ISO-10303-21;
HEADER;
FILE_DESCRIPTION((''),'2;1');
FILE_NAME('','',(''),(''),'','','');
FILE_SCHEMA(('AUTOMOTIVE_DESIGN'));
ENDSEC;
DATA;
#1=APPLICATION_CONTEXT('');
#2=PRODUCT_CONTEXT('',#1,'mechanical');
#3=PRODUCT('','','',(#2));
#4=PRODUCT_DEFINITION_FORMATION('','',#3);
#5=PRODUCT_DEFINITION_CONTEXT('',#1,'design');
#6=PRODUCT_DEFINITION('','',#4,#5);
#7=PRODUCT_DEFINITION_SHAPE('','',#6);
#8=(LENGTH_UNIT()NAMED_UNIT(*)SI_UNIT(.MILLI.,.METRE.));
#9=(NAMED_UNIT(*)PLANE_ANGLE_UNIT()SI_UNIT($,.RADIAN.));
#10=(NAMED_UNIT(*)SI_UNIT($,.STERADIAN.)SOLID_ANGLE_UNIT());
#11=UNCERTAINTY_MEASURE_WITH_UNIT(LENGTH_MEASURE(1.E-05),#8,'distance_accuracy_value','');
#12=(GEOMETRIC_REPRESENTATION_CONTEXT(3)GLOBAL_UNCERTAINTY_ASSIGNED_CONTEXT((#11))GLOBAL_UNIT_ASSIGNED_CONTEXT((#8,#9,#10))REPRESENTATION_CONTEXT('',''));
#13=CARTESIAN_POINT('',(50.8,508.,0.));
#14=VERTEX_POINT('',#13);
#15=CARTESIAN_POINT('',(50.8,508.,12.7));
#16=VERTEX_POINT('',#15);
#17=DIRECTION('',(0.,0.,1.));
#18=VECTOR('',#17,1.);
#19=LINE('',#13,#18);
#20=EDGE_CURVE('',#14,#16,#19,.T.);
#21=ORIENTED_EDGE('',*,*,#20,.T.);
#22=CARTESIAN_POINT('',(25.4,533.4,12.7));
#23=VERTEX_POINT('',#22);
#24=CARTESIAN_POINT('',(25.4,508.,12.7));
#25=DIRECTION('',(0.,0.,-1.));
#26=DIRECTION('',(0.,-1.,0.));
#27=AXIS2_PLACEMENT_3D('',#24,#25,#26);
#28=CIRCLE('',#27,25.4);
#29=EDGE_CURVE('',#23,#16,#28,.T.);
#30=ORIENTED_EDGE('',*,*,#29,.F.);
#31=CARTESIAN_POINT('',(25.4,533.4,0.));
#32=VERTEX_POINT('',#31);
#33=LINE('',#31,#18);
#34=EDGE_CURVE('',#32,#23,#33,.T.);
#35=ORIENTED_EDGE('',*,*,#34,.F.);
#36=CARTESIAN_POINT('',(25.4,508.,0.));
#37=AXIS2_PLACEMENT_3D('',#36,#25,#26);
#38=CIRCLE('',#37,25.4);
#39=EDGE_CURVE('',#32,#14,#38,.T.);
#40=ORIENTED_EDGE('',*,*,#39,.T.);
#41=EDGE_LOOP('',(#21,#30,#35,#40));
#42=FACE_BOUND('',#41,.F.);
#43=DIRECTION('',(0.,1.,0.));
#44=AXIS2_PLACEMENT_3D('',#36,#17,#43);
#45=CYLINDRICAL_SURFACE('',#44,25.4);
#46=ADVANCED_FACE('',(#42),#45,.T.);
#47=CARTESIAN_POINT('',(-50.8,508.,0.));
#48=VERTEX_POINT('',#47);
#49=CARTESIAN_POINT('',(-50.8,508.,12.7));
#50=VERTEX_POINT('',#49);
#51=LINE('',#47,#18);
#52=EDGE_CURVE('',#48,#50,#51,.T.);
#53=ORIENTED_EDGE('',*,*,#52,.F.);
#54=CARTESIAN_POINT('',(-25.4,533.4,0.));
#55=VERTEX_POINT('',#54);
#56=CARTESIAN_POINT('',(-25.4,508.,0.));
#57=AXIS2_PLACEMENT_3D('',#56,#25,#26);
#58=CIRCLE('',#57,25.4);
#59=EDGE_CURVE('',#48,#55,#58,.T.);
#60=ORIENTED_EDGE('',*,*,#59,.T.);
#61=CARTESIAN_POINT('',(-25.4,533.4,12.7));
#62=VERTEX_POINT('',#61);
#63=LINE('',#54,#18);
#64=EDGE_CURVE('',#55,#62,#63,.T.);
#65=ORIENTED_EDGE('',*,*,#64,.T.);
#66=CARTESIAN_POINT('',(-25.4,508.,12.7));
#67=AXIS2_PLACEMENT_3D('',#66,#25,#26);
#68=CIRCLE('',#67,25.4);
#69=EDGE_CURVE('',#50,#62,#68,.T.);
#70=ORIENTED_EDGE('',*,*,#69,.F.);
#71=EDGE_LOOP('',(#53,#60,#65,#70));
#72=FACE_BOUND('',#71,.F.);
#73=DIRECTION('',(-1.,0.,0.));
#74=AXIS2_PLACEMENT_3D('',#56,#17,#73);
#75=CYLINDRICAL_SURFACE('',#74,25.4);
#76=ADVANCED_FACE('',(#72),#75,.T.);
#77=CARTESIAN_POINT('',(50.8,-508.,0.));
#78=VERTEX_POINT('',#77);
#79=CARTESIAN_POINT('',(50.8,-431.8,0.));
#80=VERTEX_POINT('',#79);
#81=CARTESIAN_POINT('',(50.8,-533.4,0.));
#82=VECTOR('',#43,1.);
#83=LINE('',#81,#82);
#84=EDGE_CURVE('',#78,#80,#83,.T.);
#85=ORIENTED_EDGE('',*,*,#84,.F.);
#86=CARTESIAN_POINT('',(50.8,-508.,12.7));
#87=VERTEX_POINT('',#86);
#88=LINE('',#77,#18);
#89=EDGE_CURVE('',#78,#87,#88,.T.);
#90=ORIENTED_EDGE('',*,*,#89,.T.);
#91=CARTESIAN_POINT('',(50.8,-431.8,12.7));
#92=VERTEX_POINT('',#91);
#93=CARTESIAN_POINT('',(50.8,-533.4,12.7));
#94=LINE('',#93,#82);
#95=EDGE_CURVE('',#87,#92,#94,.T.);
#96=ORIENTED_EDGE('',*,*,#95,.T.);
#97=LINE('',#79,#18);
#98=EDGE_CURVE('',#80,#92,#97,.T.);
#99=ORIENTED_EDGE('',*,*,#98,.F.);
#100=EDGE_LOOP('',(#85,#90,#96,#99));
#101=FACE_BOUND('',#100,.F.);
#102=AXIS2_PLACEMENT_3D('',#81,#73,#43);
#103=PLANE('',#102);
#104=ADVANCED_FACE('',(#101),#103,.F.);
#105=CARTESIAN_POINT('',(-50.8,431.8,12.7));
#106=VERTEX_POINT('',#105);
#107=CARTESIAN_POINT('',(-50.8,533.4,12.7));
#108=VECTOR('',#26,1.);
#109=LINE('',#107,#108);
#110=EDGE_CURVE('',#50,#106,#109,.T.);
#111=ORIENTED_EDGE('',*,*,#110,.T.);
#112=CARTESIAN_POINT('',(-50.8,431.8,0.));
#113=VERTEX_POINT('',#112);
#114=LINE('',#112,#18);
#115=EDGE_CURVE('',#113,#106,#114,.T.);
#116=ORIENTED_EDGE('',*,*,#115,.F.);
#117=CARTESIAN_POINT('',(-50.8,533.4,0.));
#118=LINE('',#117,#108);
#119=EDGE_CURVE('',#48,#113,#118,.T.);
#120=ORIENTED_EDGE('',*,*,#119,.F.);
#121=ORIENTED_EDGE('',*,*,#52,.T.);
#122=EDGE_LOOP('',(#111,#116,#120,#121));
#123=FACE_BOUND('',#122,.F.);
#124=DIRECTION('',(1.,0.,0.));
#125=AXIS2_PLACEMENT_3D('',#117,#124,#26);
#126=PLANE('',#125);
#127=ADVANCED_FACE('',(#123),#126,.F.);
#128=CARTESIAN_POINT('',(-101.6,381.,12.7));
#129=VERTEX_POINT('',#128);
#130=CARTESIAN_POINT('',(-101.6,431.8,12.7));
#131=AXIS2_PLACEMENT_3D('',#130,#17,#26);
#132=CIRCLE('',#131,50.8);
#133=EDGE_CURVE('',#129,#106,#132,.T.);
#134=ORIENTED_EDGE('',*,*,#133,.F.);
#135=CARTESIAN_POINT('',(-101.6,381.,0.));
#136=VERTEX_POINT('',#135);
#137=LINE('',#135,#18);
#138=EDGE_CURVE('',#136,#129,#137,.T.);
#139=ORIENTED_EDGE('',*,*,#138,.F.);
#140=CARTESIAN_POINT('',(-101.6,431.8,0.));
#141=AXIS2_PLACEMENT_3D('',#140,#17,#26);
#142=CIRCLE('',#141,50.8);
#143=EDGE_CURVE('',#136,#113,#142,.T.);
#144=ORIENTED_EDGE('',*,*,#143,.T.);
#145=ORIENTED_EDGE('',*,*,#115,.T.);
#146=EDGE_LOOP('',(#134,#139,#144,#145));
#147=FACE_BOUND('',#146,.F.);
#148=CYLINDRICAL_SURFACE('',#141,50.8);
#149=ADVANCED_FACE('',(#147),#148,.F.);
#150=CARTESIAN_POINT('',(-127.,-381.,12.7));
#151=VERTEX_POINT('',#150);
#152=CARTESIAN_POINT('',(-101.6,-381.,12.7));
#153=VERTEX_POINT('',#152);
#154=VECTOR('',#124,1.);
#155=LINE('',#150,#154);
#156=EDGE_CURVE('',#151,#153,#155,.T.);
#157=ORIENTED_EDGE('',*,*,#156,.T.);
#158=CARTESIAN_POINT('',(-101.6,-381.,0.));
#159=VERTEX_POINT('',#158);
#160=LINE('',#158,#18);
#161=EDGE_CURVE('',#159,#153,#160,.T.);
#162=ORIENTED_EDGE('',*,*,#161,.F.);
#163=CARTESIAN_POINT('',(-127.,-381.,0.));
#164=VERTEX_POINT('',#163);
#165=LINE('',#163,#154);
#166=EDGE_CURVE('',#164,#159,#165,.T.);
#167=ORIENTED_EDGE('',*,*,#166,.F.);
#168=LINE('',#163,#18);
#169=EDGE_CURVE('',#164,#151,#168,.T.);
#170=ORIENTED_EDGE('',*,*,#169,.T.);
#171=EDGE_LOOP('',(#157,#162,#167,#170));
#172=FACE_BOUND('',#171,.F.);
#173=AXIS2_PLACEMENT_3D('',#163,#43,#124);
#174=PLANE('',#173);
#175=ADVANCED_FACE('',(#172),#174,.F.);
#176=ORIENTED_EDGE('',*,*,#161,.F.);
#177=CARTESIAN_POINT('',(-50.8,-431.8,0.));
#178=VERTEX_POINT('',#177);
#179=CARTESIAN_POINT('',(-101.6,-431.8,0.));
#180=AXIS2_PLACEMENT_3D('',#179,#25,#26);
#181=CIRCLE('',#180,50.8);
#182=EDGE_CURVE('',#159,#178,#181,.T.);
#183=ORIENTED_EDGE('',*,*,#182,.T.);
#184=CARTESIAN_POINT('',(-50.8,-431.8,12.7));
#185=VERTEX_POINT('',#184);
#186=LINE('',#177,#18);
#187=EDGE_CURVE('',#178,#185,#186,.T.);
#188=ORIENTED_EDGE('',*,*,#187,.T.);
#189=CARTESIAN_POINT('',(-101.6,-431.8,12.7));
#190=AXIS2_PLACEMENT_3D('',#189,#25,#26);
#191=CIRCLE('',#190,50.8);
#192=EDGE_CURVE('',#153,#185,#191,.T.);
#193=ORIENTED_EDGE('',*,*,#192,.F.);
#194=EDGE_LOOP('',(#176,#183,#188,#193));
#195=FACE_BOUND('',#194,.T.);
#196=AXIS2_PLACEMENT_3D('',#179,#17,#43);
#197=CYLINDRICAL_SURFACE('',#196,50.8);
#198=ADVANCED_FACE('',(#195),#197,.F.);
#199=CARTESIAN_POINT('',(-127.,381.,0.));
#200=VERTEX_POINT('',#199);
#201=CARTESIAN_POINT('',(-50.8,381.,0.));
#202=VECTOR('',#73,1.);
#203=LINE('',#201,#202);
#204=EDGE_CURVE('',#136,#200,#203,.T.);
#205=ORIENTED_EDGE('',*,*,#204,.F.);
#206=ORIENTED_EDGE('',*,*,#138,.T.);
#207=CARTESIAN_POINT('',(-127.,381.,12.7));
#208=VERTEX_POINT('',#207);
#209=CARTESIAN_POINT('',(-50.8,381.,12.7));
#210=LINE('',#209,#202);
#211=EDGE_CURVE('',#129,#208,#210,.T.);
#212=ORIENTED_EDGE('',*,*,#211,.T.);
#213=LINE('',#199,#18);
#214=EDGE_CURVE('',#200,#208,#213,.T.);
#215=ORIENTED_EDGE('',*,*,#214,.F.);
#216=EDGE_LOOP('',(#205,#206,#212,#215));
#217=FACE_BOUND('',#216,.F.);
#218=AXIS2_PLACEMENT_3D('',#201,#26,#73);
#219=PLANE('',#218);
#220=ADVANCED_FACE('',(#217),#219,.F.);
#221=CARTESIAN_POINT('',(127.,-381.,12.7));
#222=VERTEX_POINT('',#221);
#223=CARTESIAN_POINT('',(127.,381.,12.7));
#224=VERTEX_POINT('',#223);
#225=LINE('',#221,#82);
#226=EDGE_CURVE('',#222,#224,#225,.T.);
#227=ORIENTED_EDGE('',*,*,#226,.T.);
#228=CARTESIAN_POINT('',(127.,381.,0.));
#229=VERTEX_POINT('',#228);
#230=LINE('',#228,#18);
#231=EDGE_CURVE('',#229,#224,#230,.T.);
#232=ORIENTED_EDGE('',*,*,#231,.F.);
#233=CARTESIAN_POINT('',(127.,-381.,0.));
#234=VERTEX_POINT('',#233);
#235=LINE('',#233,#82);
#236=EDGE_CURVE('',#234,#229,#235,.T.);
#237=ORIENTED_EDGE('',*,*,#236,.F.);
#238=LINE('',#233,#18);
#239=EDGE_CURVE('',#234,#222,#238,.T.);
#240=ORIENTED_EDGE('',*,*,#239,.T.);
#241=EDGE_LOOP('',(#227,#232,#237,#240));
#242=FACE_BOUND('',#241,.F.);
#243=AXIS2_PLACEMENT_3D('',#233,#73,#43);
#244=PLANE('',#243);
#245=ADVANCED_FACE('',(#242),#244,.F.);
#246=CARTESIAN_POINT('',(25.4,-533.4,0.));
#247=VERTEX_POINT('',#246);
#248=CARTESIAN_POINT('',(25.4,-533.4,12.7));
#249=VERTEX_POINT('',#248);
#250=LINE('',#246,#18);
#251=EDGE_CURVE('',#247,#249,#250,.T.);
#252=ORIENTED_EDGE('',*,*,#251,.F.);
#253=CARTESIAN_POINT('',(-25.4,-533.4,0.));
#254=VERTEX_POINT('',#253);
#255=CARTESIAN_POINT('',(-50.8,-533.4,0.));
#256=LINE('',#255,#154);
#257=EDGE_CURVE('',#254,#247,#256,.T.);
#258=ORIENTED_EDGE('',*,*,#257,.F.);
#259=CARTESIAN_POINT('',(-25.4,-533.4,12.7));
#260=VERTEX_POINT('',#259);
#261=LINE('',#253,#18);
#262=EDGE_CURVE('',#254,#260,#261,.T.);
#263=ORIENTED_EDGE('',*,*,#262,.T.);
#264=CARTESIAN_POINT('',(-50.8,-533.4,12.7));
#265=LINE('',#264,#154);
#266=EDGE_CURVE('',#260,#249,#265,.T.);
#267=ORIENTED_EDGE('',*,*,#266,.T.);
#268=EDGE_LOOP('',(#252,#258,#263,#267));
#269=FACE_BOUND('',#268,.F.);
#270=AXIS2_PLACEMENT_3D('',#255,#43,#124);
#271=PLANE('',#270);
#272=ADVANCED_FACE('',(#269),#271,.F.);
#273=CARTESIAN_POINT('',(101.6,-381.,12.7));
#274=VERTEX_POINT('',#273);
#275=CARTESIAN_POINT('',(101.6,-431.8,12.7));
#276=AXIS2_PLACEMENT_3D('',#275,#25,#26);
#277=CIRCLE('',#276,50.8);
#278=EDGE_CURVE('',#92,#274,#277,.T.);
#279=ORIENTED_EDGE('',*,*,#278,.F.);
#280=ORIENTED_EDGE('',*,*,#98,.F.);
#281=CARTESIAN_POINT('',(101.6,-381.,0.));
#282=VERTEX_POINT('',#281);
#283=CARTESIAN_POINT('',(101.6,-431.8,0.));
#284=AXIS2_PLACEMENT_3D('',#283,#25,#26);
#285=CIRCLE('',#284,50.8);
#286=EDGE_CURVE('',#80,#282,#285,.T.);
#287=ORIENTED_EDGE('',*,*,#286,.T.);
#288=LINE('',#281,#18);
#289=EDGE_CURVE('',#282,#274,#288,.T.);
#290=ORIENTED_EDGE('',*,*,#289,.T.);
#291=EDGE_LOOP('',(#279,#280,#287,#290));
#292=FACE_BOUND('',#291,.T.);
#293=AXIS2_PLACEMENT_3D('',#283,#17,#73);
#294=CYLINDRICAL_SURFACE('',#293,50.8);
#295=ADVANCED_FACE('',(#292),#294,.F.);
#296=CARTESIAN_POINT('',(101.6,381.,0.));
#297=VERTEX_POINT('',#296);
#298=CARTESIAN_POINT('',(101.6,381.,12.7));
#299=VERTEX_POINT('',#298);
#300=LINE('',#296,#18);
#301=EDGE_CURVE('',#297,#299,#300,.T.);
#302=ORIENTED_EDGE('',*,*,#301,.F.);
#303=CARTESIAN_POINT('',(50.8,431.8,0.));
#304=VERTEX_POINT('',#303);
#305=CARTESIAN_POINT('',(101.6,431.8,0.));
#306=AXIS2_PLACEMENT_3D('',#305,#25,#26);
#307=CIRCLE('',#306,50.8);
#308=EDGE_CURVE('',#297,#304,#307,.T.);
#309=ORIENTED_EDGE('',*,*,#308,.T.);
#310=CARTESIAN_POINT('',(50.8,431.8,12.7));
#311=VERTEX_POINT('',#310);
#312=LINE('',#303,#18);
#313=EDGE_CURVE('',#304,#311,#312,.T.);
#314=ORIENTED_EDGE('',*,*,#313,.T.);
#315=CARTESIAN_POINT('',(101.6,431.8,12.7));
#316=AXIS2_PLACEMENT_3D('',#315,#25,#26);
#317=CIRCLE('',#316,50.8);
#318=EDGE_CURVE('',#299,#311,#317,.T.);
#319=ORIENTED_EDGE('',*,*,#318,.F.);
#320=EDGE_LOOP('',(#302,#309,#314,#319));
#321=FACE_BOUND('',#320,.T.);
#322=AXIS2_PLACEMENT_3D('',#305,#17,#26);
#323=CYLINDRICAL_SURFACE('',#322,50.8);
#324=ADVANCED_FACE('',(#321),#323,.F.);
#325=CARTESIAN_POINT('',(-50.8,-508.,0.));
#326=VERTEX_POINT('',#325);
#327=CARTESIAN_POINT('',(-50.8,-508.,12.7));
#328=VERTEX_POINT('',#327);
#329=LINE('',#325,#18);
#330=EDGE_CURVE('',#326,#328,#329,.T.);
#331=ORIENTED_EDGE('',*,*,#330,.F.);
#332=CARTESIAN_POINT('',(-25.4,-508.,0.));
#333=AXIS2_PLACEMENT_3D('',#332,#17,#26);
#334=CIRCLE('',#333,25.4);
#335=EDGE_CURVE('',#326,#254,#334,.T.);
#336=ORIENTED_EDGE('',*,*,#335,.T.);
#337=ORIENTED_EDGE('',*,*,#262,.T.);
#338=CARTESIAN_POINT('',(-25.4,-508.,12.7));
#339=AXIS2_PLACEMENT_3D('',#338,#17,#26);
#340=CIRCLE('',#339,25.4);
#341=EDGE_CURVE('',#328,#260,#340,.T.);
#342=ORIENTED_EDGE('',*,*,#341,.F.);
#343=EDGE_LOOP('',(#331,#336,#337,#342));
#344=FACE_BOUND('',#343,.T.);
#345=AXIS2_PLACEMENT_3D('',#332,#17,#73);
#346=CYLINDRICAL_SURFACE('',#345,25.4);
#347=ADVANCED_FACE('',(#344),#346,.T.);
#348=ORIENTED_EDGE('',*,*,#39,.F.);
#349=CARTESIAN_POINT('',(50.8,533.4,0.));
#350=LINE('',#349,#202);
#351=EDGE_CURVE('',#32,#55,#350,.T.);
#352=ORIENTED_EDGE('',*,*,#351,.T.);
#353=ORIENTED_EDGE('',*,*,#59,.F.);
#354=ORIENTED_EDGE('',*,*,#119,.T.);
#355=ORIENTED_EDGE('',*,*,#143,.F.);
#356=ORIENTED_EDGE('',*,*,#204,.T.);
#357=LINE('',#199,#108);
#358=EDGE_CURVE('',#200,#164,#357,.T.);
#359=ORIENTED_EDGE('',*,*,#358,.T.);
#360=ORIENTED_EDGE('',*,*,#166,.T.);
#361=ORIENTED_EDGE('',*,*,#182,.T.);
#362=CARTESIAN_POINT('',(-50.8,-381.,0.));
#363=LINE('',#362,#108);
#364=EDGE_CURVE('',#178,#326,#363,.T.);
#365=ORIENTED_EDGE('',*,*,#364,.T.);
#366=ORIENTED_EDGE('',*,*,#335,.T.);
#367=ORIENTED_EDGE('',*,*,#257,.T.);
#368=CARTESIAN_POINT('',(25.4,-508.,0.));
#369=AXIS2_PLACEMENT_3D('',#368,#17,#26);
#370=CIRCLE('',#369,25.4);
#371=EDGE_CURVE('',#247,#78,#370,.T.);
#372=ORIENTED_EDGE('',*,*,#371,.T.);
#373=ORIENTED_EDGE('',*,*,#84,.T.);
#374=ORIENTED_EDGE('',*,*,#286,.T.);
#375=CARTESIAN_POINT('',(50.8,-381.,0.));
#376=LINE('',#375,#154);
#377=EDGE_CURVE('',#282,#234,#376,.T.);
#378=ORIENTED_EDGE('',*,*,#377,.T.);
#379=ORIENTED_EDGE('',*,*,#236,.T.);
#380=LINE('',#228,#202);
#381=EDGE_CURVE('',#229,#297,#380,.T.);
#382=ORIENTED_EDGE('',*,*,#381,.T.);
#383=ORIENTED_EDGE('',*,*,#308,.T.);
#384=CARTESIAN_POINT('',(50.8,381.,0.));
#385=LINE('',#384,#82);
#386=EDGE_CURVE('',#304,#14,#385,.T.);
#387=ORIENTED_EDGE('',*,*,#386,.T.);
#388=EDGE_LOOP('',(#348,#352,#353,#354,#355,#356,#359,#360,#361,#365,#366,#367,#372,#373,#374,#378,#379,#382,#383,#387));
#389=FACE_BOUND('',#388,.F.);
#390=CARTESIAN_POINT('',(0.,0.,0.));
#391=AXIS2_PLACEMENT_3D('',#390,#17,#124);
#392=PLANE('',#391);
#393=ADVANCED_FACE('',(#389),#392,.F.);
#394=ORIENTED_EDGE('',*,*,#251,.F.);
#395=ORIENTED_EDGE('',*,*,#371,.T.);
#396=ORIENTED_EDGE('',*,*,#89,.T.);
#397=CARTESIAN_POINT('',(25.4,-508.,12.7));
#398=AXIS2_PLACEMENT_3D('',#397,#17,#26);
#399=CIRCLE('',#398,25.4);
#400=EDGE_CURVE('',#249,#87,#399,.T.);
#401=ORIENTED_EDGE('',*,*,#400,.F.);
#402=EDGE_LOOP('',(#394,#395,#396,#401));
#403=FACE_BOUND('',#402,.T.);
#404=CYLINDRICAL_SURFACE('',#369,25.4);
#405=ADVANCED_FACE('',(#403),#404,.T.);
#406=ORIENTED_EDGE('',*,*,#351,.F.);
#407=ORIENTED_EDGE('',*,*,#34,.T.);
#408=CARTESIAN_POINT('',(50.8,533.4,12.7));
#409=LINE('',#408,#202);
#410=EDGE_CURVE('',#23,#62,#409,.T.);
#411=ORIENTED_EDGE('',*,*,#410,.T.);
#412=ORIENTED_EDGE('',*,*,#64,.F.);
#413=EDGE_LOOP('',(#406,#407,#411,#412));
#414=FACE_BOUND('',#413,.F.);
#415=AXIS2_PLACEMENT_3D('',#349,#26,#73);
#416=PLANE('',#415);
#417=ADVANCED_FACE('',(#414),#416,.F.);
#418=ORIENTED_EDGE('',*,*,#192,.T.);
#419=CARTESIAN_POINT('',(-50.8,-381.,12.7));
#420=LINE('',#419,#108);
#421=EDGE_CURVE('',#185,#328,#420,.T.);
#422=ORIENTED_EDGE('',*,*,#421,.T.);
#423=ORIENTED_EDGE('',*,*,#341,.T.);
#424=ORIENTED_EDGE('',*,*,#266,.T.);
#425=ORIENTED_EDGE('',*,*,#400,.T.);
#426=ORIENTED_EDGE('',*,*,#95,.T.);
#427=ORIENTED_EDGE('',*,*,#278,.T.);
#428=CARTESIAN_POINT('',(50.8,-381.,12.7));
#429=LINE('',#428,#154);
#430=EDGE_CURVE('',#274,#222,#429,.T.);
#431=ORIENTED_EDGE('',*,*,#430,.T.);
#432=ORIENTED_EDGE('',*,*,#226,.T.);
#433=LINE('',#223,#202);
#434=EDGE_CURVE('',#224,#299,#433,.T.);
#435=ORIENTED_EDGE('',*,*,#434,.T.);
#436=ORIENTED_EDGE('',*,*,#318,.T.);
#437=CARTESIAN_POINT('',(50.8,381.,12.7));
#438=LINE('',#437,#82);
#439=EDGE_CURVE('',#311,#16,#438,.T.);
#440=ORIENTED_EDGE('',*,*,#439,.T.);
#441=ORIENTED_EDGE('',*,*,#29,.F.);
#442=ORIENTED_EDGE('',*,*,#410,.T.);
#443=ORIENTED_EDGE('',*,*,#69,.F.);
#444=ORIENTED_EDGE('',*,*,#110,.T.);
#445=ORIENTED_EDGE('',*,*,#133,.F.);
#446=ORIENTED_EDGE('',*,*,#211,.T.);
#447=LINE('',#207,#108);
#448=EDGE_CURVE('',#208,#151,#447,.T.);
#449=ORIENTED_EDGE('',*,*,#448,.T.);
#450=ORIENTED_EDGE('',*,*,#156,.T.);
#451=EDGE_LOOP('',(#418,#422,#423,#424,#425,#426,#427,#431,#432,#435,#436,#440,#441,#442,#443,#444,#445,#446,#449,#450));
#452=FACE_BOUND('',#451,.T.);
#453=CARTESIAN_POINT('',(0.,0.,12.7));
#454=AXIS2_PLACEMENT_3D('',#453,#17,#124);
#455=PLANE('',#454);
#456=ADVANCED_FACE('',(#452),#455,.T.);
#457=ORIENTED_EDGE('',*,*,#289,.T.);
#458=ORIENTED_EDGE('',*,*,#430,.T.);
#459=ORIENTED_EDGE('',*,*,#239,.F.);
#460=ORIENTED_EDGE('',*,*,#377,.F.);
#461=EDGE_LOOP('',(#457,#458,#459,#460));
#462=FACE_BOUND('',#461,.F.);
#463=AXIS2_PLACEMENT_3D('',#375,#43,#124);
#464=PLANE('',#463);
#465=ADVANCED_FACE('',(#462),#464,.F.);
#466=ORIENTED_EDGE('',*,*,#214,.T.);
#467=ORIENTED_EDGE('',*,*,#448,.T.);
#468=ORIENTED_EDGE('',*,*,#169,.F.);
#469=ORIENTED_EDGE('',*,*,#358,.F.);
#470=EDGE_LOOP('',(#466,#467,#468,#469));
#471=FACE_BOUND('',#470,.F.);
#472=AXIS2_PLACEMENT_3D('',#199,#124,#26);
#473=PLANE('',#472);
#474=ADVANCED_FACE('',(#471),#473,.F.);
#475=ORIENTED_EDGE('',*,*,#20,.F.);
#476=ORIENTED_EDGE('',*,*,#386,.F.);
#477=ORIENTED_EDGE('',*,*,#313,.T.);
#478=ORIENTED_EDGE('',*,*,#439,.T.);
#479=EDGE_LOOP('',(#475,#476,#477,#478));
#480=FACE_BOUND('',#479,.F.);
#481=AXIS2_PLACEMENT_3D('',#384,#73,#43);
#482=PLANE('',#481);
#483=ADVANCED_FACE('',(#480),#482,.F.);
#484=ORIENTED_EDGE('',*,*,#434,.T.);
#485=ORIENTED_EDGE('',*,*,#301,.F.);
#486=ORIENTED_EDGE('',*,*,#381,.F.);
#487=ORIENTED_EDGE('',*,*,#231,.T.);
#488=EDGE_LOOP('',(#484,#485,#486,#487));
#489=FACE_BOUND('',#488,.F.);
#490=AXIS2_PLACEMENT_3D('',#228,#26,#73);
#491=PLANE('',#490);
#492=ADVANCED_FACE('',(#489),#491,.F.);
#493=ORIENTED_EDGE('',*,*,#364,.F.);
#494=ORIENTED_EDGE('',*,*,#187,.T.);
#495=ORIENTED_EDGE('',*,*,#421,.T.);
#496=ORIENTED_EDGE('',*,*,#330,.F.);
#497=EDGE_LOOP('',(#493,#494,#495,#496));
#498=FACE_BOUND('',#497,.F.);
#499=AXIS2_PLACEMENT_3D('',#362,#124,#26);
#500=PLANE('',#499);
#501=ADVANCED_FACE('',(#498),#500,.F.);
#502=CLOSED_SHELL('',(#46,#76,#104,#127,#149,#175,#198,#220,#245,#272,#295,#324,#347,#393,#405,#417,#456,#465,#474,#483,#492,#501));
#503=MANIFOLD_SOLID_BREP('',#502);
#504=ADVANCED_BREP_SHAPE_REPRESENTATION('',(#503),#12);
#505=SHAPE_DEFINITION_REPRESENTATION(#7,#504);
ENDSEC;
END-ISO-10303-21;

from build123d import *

# Parameters (mm, degrees)
F1_DEPTH = 12.7
F2_R     = 50.8
F3_R     = 25.4


with BuildPart() as f1:
    # F0 (on Top) → F1 (new body)
    with BuildSketch(Plane.XY):
        Polygon((-50.8, 381), (-127, 381), (-127, 0), (-127, -381), (-50.8, -381), (-50.8, -533.4), (50.8, -533.4), (50.8, -381), (127, -381), (127, 0), (127, 381), (50.8, 381), (50.8, 533.4), (-50.8, 533.4), align=None)
    extrude(amount=F1_DEPTH)

    # F2
    f2_edges = [f1.edges().sort_by_distance(p)[0] for p in [
        (-50.8, 381, 6.35),
        (50.8, 381, 6.35),
        (-50.8, -381, 6.35),
        (50.8, -381, 6.35),
    ]]
    fillet(f2_edges, radius=F2_R)

    # F3
    f3_edges = [f1.edges().sort_by_distance(p)[0] for p in [
        (-50.8, -533.4, 6.35),
        (50.8, -533.4, 6.35),
        (50.8, 533.4, 6.35),
        (-50.8, 533.4, 6.35),
    ]]
    fillet(f3_edges, radius=F3_R)


solid = f1.part
